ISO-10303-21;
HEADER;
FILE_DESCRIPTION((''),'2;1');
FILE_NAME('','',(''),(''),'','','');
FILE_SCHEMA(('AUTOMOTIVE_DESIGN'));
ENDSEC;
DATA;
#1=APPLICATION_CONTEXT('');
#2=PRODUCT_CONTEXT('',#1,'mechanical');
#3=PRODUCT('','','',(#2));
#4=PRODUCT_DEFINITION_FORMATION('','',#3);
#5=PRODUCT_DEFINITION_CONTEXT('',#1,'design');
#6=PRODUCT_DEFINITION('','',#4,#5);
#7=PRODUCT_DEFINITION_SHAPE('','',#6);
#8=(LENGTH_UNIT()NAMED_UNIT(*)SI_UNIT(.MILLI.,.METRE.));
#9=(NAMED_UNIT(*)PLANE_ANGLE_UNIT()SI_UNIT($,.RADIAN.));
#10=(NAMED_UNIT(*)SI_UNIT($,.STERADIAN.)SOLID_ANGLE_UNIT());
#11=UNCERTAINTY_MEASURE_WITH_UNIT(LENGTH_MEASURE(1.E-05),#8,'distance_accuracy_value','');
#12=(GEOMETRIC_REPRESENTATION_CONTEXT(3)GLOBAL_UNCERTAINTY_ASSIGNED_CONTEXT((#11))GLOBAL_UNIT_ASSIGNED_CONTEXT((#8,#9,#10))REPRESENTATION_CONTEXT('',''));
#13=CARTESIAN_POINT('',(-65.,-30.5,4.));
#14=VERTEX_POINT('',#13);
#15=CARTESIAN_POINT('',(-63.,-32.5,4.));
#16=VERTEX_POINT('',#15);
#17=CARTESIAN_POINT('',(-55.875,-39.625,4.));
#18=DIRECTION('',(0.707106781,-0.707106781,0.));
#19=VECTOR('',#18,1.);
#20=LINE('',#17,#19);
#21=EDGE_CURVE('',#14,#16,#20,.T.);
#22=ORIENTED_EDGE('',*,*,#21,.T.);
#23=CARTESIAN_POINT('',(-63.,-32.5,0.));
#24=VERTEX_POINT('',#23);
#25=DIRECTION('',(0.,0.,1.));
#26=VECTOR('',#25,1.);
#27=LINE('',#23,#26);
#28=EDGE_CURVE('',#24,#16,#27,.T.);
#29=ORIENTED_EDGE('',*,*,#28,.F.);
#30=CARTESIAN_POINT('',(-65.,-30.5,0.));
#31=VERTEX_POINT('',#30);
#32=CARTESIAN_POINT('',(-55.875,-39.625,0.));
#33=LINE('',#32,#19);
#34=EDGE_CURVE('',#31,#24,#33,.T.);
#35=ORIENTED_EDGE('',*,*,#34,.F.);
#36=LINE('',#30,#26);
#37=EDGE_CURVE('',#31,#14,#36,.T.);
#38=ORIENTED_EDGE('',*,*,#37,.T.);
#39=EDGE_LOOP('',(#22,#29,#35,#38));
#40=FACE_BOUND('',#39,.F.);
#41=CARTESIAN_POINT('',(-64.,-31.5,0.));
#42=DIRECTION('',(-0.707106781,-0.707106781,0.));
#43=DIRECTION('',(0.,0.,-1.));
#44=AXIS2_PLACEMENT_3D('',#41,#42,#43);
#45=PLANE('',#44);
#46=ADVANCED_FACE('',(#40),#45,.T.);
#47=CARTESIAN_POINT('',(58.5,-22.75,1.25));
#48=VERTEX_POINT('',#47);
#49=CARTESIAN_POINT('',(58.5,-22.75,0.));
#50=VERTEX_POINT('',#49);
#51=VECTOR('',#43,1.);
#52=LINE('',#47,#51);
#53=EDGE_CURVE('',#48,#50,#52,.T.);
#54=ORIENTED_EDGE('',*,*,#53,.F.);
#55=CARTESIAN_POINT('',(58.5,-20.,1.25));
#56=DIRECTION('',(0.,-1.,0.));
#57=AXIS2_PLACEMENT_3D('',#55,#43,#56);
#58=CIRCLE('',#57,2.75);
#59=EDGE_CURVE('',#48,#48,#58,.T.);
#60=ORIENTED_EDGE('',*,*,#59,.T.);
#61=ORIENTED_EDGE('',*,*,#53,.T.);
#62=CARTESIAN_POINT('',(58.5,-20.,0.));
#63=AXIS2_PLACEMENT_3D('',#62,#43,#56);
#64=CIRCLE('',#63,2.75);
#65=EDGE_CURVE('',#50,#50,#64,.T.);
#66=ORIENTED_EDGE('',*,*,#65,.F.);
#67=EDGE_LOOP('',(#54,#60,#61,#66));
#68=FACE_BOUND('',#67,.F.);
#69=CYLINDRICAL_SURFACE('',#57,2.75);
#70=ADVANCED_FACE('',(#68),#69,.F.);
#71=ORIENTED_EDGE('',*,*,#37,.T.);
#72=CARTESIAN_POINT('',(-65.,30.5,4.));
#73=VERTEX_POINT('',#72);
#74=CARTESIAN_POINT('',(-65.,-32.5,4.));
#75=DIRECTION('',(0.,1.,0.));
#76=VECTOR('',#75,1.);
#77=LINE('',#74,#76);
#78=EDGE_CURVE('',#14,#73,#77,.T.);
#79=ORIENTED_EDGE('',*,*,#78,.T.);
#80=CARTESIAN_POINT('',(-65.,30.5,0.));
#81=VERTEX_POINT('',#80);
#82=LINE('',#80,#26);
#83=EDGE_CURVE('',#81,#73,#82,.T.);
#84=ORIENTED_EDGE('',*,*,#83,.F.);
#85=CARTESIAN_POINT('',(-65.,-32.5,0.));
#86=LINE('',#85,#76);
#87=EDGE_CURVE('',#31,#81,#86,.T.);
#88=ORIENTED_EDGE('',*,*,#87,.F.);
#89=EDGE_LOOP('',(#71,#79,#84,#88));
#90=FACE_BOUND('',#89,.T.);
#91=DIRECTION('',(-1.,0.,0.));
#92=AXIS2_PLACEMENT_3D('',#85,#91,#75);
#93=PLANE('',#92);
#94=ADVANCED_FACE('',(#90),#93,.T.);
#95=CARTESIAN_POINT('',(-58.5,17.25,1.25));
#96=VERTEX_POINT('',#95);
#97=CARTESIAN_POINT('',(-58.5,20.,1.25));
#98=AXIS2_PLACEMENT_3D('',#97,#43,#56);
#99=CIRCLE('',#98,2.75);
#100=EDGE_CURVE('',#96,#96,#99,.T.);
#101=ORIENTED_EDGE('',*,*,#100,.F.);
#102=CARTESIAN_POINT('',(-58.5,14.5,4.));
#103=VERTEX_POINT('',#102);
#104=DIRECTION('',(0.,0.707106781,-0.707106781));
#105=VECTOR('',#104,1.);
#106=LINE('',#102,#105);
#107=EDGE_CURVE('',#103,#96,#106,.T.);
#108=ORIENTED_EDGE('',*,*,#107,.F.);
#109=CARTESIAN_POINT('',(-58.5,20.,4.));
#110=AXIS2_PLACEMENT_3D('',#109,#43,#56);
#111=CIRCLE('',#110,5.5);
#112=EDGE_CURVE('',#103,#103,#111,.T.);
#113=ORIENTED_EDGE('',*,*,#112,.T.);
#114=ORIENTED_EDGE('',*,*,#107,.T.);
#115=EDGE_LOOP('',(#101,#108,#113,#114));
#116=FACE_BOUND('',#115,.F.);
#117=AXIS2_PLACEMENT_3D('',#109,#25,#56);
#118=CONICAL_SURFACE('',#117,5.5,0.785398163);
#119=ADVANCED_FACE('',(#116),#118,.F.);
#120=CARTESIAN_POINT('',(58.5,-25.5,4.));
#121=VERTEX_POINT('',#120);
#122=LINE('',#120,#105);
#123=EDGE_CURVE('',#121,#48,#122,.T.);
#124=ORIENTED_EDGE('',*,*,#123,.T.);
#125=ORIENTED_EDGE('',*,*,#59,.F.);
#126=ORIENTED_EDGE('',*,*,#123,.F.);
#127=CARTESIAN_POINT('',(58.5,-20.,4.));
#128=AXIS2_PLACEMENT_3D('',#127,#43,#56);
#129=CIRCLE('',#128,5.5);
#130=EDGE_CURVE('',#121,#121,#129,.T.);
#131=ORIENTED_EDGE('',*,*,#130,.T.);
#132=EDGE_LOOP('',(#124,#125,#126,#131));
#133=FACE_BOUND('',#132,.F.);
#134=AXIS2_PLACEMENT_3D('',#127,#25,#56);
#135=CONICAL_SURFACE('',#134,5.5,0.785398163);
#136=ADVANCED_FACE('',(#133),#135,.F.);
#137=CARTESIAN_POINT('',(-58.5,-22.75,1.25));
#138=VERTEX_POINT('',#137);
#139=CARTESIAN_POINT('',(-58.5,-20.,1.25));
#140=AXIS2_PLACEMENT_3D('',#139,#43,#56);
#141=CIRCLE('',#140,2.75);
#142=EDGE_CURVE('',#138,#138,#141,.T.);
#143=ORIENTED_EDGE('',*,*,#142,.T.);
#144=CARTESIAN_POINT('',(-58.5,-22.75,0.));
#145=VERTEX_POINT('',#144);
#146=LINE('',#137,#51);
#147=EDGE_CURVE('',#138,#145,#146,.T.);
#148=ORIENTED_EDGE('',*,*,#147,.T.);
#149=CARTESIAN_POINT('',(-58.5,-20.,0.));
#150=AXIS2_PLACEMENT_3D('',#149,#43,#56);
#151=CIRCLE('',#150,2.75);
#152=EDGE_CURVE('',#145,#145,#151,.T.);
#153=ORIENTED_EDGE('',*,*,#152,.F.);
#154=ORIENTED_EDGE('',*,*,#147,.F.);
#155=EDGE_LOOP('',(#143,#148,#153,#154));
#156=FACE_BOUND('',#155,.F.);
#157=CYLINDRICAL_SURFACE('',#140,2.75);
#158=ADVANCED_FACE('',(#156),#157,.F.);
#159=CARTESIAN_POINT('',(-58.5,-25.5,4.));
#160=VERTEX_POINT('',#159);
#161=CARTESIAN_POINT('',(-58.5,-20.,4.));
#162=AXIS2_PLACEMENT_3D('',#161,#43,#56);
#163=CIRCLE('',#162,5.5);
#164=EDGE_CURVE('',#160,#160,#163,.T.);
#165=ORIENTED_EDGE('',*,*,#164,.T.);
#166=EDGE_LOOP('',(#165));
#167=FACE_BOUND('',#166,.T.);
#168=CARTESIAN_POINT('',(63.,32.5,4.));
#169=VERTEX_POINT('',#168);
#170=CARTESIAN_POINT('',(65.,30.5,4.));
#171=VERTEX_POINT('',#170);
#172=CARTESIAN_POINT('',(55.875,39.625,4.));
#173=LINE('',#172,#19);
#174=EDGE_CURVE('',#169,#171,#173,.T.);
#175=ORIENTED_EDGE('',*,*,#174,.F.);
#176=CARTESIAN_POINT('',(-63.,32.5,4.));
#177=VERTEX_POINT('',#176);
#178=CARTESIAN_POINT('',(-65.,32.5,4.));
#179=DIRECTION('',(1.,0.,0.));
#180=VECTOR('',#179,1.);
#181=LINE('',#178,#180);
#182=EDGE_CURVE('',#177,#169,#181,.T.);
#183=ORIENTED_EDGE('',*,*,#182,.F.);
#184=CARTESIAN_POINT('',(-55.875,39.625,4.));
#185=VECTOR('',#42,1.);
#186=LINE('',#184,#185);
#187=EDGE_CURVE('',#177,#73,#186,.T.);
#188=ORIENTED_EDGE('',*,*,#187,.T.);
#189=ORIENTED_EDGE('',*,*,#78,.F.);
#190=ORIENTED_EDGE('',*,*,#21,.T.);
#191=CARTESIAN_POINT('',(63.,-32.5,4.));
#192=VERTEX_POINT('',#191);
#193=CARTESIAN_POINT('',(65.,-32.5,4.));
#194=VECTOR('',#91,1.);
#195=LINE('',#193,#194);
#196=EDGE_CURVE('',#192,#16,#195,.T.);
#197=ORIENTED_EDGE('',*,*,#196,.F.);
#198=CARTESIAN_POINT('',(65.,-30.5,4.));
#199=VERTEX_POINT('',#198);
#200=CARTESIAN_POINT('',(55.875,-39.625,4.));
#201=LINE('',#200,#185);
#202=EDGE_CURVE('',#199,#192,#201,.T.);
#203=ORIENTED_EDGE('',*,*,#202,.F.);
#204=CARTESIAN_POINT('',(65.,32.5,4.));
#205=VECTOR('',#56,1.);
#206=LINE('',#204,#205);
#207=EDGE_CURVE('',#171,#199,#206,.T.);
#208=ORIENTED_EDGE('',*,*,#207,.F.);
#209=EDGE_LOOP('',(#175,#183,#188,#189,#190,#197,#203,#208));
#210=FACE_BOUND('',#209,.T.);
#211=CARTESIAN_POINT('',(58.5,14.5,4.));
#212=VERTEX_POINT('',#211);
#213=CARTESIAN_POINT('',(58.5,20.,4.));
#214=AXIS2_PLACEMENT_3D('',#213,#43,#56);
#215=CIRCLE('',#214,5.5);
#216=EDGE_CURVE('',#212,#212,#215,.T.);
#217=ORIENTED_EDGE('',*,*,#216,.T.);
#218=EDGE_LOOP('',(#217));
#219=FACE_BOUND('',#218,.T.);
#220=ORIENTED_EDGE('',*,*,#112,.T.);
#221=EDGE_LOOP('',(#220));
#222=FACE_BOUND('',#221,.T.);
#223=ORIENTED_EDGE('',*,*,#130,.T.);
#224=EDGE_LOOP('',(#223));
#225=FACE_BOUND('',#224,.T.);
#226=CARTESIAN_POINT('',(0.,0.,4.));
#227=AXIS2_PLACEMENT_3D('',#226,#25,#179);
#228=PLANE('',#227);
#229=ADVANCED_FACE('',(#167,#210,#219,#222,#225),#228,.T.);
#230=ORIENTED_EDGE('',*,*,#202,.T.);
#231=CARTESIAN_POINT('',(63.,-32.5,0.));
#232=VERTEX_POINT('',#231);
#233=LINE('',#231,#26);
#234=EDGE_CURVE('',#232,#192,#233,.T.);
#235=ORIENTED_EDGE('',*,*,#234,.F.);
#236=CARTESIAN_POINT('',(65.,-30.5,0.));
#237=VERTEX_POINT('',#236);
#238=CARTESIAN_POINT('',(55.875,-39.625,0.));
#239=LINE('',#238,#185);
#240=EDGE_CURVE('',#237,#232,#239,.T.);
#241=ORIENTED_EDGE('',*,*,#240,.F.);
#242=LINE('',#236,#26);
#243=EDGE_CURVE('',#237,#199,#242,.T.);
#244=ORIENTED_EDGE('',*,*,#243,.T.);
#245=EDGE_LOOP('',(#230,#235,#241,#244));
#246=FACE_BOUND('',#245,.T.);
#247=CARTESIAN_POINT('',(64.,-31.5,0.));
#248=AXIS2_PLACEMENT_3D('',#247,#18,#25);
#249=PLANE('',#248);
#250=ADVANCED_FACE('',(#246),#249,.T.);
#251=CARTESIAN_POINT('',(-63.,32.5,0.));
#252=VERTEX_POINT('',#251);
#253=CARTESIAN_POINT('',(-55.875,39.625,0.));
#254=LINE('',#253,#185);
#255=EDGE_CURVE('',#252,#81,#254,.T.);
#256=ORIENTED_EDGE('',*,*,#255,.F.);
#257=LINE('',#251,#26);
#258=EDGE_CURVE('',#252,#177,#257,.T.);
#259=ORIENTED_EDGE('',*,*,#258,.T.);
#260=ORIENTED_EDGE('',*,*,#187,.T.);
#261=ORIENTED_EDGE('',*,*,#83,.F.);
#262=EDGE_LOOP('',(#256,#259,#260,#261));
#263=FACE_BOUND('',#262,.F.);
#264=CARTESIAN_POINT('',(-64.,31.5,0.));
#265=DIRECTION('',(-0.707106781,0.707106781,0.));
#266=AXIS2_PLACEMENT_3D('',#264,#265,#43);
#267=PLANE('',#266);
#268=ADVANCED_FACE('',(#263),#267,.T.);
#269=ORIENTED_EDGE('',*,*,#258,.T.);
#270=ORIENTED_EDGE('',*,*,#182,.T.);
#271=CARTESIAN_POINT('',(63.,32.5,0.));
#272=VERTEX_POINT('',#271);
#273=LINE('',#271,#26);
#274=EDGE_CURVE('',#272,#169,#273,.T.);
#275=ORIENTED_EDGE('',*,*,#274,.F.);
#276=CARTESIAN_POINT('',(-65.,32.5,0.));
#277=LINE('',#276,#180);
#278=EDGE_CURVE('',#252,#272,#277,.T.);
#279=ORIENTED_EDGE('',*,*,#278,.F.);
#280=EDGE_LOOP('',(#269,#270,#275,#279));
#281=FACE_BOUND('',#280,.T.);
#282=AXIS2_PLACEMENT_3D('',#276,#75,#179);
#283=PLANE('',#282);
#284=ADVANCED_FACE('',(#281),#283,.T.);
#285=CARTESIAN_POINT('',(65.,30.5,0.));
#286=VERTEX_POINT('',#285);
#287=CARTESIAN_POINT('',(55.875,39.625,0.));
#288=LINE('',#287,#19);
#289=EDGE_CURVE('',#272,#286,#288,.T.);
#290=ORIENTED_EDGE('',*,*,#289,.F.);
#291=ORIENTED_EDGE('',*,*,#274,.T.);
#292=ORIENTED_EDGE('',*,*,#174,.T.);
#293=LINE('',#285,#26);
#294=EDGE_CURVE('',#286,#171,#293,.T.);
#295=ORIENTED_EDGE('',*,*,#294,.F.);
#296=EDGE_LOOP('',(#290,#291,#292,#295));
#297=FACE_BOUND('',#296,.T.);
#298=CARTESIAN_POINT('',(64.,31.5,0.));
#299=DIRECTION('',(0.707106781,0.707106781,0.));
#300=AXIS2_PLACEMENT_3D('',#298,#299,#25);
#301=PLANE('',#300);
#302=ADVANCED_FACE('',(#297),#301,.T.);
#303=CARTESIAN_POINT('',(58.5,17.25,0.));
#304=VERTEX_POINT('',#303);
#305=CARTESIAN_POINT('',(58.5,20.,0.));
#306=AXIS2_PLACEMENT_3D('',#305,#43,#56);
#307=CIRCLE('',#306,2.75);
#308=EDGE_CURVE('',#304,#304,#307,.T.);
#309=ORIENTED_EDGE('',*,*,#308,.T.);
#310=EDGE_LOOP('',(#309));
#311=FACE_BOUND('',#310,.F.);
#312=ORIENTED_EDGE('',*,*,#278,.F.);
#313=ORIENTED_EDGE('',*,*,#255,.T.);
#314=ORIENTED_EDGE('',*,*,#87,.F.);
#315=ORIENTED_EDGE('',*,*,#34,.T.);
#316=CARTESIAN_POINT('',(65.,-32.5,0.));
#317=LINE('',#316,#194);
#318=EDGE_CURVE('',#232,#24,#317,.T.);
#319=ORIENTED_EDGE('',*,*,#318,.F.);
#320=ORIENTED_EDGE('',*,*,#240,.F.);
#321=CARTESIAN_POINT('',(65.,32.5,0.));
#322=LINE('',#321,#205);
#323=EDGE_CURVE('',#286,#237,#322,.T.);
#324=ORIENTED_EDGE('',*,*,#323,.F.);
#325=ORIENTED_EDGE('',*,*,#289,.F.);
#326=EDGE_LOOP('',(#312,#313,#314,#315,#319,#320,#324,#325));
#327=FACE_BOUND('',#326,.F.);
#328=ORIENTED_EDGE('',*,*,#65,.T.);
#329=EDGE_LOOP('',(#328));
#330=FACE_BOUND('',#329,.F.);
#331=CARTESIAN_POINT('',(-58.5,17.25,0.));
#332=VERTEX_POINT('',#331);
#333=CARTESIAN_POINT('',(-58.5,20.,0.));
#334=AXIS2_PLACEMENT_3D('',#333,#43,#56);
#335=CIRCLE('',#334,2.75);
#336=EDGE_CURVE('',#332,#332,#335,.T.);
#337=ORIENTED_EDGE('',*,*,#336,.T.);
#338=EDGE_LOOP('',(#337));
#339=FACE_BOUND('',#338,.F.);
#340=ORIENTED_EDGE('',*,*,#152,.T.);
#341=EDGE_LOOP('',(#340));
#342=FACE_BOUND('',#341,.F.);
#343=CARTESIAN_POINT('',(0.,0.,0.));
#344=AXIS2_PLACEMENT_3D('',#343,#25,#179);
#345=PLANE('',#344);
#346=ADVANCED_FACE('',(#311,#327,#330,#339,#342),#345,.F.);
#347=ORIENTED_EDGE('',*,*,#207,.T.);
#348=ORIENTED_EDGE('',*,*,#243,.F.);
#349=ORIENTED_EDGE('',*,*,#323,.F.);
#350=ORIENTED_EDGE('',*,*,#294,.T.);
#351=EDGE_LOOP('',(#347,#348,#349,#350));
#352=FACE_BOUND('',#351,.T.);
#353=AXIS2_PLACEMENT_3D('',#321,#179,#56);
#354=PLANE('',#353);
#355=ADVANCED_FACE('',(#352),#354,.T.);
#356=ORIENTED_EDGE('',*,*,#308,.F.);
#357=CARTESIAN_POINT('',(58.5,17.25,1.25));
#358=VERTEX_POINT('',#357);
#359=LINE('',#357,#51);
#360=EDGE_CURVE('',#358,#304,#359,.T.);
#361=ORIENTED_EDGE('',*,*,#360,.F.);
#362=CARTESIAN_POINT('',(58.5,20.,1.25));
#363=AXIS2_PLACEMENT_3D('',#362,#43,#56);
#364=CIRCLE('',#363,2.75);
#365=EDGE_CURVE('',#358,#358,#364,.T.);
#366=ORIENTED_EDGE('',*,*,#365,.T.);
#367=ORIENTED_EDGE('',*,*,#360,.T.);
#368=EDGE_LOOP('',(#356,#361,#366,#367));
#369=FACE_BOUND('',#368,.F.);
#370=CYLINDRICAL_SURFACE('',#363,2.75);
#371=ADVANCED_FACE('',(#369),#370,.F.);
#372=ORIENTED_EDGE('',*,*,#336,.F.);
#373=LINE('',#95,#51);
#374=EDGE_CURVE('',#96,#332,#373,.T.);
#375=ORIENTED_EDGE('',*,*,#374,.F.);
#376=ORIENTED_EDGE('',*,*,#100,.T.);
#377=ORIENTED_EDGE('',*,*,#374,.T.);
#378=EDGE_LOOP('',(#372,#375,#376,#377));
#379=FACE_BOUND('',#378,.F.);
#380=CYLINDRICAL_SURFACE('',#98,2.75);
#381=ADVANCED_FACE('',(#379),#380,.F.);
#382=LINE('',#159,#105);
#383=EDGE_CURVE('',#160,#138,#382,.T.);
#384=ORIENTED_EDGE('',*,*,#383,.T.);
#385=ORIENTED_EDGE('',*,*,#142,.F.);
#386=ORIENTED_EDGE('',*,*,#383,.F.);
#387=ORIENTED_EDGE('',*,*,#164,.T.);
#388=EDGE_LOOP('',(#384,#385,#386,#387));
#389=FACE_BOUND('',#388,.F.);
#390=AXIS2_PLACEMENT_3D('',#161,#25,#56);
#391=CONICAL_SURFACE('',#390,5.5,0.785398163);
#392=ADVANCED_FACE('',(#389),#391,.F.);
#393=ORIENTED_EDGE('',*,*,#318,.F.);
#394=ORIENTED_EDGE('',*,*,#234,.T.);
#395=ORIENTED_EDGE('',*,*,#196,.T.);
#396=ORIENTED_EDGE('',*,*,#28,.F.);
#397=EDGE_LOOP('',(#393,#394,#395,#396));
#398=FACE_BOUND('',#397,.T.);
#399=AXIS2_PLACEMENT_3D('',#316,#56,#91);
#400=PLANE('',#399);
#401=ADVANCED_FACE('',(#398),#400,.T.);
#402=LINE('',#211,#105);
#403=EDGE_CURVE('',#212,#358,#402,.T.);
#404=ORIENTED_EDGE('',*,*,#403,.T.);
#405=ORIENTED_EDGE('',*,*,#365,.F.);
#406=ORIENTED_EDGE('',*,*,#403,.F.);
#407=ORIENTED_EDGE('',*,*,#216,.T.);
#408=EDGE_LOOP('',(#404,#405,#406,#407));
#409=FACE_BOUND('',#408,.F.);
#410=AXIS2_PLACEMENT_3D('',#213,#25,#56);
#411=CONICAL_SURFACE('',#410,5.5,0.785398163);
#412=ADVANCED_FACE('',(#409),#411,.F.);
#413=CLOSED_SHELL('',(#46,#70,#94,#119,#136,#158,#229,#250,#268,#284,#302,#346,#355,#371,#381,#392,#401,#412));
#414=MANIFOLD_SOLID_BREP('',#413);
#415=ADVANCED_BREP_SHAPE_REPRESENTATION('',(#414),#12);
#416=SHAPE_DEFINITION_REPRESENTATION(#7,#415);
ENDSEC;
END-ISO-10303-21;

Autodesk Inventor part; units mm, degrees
ref_plane "YZ Plane" through (0, 0, 0) normal (1, 0, 0) x (0, 1, 0)
ref_plane "XZ Plane" through (0, 0, 0) normal (0, 1, 0) x (-1, 0, 0)
ref_plane "XY Plane" through (0, 0, 0) normal (0, 0, 1) x (1, 0, 0)
sketch "Sketch5" plane through (0, 0, 0) normal (0, 0, 1) x (1, 0, 0)
  line L0 (-65, 32.5) -> (65, 32.5)
  line L1 (65, 32.5) -> (65, -32.5)
  line L2 (65, -32.5) -> (-65, -32.5)
  line L3 (-65, -32.5) -> (-65, 32.5)
  point P0 (0, 0)
  point P1 (0, 32.5)
  point P2 (65, 0)
  dimension "d8" = 130
  dimension "d9" = 65
extrude "Extrusion5" add sketch "Sketch5" along normal blind 4
sketch "Sketch6" plane through (0, 0, 4) normal (0, 0, 1) x (1, 0, 0)
  circle A0 centre (-58.5, 20) radius 3
  circle A1 centre (-58.5, -20) radius 3
  circle A2 centre (58.5, 20) radius 3
  circle A3 centre (58.5, -20) radius 3
  point P0 (0, 0)
  point P1 (0, 0)
  dimension "d19" = 117
  dimension "d20" = 58.5
  dimension "d21" = 40
  dimension "d22" = 20
  dimension "d23" = 6
hole "Hole1" at (-58.5, 20, 4) at (58.5, 20, 4) at (58.5, -20, 4) at (-58.5, -20, 4) direction (0, 0, -1) diameter 5.5 end through all countersink diameter 11 countersink angle 90 clearance for "Countersunk Flat Head Screw DIN EN ISO 2009" size "M5" standard "DIN"
chamfer "Chamfer1" distance 2 angle 45 4 edges at (65, 32.5, 2) (65, -32.5, 2) (-65, -32.5, 2) (-65, 32.5, 2)
equation "\"d20\" = 0.5 * d19"
equation "\"d22\" = 0.5 * d21"
properties part number "BC-10024" material "Alumínio 7075"
